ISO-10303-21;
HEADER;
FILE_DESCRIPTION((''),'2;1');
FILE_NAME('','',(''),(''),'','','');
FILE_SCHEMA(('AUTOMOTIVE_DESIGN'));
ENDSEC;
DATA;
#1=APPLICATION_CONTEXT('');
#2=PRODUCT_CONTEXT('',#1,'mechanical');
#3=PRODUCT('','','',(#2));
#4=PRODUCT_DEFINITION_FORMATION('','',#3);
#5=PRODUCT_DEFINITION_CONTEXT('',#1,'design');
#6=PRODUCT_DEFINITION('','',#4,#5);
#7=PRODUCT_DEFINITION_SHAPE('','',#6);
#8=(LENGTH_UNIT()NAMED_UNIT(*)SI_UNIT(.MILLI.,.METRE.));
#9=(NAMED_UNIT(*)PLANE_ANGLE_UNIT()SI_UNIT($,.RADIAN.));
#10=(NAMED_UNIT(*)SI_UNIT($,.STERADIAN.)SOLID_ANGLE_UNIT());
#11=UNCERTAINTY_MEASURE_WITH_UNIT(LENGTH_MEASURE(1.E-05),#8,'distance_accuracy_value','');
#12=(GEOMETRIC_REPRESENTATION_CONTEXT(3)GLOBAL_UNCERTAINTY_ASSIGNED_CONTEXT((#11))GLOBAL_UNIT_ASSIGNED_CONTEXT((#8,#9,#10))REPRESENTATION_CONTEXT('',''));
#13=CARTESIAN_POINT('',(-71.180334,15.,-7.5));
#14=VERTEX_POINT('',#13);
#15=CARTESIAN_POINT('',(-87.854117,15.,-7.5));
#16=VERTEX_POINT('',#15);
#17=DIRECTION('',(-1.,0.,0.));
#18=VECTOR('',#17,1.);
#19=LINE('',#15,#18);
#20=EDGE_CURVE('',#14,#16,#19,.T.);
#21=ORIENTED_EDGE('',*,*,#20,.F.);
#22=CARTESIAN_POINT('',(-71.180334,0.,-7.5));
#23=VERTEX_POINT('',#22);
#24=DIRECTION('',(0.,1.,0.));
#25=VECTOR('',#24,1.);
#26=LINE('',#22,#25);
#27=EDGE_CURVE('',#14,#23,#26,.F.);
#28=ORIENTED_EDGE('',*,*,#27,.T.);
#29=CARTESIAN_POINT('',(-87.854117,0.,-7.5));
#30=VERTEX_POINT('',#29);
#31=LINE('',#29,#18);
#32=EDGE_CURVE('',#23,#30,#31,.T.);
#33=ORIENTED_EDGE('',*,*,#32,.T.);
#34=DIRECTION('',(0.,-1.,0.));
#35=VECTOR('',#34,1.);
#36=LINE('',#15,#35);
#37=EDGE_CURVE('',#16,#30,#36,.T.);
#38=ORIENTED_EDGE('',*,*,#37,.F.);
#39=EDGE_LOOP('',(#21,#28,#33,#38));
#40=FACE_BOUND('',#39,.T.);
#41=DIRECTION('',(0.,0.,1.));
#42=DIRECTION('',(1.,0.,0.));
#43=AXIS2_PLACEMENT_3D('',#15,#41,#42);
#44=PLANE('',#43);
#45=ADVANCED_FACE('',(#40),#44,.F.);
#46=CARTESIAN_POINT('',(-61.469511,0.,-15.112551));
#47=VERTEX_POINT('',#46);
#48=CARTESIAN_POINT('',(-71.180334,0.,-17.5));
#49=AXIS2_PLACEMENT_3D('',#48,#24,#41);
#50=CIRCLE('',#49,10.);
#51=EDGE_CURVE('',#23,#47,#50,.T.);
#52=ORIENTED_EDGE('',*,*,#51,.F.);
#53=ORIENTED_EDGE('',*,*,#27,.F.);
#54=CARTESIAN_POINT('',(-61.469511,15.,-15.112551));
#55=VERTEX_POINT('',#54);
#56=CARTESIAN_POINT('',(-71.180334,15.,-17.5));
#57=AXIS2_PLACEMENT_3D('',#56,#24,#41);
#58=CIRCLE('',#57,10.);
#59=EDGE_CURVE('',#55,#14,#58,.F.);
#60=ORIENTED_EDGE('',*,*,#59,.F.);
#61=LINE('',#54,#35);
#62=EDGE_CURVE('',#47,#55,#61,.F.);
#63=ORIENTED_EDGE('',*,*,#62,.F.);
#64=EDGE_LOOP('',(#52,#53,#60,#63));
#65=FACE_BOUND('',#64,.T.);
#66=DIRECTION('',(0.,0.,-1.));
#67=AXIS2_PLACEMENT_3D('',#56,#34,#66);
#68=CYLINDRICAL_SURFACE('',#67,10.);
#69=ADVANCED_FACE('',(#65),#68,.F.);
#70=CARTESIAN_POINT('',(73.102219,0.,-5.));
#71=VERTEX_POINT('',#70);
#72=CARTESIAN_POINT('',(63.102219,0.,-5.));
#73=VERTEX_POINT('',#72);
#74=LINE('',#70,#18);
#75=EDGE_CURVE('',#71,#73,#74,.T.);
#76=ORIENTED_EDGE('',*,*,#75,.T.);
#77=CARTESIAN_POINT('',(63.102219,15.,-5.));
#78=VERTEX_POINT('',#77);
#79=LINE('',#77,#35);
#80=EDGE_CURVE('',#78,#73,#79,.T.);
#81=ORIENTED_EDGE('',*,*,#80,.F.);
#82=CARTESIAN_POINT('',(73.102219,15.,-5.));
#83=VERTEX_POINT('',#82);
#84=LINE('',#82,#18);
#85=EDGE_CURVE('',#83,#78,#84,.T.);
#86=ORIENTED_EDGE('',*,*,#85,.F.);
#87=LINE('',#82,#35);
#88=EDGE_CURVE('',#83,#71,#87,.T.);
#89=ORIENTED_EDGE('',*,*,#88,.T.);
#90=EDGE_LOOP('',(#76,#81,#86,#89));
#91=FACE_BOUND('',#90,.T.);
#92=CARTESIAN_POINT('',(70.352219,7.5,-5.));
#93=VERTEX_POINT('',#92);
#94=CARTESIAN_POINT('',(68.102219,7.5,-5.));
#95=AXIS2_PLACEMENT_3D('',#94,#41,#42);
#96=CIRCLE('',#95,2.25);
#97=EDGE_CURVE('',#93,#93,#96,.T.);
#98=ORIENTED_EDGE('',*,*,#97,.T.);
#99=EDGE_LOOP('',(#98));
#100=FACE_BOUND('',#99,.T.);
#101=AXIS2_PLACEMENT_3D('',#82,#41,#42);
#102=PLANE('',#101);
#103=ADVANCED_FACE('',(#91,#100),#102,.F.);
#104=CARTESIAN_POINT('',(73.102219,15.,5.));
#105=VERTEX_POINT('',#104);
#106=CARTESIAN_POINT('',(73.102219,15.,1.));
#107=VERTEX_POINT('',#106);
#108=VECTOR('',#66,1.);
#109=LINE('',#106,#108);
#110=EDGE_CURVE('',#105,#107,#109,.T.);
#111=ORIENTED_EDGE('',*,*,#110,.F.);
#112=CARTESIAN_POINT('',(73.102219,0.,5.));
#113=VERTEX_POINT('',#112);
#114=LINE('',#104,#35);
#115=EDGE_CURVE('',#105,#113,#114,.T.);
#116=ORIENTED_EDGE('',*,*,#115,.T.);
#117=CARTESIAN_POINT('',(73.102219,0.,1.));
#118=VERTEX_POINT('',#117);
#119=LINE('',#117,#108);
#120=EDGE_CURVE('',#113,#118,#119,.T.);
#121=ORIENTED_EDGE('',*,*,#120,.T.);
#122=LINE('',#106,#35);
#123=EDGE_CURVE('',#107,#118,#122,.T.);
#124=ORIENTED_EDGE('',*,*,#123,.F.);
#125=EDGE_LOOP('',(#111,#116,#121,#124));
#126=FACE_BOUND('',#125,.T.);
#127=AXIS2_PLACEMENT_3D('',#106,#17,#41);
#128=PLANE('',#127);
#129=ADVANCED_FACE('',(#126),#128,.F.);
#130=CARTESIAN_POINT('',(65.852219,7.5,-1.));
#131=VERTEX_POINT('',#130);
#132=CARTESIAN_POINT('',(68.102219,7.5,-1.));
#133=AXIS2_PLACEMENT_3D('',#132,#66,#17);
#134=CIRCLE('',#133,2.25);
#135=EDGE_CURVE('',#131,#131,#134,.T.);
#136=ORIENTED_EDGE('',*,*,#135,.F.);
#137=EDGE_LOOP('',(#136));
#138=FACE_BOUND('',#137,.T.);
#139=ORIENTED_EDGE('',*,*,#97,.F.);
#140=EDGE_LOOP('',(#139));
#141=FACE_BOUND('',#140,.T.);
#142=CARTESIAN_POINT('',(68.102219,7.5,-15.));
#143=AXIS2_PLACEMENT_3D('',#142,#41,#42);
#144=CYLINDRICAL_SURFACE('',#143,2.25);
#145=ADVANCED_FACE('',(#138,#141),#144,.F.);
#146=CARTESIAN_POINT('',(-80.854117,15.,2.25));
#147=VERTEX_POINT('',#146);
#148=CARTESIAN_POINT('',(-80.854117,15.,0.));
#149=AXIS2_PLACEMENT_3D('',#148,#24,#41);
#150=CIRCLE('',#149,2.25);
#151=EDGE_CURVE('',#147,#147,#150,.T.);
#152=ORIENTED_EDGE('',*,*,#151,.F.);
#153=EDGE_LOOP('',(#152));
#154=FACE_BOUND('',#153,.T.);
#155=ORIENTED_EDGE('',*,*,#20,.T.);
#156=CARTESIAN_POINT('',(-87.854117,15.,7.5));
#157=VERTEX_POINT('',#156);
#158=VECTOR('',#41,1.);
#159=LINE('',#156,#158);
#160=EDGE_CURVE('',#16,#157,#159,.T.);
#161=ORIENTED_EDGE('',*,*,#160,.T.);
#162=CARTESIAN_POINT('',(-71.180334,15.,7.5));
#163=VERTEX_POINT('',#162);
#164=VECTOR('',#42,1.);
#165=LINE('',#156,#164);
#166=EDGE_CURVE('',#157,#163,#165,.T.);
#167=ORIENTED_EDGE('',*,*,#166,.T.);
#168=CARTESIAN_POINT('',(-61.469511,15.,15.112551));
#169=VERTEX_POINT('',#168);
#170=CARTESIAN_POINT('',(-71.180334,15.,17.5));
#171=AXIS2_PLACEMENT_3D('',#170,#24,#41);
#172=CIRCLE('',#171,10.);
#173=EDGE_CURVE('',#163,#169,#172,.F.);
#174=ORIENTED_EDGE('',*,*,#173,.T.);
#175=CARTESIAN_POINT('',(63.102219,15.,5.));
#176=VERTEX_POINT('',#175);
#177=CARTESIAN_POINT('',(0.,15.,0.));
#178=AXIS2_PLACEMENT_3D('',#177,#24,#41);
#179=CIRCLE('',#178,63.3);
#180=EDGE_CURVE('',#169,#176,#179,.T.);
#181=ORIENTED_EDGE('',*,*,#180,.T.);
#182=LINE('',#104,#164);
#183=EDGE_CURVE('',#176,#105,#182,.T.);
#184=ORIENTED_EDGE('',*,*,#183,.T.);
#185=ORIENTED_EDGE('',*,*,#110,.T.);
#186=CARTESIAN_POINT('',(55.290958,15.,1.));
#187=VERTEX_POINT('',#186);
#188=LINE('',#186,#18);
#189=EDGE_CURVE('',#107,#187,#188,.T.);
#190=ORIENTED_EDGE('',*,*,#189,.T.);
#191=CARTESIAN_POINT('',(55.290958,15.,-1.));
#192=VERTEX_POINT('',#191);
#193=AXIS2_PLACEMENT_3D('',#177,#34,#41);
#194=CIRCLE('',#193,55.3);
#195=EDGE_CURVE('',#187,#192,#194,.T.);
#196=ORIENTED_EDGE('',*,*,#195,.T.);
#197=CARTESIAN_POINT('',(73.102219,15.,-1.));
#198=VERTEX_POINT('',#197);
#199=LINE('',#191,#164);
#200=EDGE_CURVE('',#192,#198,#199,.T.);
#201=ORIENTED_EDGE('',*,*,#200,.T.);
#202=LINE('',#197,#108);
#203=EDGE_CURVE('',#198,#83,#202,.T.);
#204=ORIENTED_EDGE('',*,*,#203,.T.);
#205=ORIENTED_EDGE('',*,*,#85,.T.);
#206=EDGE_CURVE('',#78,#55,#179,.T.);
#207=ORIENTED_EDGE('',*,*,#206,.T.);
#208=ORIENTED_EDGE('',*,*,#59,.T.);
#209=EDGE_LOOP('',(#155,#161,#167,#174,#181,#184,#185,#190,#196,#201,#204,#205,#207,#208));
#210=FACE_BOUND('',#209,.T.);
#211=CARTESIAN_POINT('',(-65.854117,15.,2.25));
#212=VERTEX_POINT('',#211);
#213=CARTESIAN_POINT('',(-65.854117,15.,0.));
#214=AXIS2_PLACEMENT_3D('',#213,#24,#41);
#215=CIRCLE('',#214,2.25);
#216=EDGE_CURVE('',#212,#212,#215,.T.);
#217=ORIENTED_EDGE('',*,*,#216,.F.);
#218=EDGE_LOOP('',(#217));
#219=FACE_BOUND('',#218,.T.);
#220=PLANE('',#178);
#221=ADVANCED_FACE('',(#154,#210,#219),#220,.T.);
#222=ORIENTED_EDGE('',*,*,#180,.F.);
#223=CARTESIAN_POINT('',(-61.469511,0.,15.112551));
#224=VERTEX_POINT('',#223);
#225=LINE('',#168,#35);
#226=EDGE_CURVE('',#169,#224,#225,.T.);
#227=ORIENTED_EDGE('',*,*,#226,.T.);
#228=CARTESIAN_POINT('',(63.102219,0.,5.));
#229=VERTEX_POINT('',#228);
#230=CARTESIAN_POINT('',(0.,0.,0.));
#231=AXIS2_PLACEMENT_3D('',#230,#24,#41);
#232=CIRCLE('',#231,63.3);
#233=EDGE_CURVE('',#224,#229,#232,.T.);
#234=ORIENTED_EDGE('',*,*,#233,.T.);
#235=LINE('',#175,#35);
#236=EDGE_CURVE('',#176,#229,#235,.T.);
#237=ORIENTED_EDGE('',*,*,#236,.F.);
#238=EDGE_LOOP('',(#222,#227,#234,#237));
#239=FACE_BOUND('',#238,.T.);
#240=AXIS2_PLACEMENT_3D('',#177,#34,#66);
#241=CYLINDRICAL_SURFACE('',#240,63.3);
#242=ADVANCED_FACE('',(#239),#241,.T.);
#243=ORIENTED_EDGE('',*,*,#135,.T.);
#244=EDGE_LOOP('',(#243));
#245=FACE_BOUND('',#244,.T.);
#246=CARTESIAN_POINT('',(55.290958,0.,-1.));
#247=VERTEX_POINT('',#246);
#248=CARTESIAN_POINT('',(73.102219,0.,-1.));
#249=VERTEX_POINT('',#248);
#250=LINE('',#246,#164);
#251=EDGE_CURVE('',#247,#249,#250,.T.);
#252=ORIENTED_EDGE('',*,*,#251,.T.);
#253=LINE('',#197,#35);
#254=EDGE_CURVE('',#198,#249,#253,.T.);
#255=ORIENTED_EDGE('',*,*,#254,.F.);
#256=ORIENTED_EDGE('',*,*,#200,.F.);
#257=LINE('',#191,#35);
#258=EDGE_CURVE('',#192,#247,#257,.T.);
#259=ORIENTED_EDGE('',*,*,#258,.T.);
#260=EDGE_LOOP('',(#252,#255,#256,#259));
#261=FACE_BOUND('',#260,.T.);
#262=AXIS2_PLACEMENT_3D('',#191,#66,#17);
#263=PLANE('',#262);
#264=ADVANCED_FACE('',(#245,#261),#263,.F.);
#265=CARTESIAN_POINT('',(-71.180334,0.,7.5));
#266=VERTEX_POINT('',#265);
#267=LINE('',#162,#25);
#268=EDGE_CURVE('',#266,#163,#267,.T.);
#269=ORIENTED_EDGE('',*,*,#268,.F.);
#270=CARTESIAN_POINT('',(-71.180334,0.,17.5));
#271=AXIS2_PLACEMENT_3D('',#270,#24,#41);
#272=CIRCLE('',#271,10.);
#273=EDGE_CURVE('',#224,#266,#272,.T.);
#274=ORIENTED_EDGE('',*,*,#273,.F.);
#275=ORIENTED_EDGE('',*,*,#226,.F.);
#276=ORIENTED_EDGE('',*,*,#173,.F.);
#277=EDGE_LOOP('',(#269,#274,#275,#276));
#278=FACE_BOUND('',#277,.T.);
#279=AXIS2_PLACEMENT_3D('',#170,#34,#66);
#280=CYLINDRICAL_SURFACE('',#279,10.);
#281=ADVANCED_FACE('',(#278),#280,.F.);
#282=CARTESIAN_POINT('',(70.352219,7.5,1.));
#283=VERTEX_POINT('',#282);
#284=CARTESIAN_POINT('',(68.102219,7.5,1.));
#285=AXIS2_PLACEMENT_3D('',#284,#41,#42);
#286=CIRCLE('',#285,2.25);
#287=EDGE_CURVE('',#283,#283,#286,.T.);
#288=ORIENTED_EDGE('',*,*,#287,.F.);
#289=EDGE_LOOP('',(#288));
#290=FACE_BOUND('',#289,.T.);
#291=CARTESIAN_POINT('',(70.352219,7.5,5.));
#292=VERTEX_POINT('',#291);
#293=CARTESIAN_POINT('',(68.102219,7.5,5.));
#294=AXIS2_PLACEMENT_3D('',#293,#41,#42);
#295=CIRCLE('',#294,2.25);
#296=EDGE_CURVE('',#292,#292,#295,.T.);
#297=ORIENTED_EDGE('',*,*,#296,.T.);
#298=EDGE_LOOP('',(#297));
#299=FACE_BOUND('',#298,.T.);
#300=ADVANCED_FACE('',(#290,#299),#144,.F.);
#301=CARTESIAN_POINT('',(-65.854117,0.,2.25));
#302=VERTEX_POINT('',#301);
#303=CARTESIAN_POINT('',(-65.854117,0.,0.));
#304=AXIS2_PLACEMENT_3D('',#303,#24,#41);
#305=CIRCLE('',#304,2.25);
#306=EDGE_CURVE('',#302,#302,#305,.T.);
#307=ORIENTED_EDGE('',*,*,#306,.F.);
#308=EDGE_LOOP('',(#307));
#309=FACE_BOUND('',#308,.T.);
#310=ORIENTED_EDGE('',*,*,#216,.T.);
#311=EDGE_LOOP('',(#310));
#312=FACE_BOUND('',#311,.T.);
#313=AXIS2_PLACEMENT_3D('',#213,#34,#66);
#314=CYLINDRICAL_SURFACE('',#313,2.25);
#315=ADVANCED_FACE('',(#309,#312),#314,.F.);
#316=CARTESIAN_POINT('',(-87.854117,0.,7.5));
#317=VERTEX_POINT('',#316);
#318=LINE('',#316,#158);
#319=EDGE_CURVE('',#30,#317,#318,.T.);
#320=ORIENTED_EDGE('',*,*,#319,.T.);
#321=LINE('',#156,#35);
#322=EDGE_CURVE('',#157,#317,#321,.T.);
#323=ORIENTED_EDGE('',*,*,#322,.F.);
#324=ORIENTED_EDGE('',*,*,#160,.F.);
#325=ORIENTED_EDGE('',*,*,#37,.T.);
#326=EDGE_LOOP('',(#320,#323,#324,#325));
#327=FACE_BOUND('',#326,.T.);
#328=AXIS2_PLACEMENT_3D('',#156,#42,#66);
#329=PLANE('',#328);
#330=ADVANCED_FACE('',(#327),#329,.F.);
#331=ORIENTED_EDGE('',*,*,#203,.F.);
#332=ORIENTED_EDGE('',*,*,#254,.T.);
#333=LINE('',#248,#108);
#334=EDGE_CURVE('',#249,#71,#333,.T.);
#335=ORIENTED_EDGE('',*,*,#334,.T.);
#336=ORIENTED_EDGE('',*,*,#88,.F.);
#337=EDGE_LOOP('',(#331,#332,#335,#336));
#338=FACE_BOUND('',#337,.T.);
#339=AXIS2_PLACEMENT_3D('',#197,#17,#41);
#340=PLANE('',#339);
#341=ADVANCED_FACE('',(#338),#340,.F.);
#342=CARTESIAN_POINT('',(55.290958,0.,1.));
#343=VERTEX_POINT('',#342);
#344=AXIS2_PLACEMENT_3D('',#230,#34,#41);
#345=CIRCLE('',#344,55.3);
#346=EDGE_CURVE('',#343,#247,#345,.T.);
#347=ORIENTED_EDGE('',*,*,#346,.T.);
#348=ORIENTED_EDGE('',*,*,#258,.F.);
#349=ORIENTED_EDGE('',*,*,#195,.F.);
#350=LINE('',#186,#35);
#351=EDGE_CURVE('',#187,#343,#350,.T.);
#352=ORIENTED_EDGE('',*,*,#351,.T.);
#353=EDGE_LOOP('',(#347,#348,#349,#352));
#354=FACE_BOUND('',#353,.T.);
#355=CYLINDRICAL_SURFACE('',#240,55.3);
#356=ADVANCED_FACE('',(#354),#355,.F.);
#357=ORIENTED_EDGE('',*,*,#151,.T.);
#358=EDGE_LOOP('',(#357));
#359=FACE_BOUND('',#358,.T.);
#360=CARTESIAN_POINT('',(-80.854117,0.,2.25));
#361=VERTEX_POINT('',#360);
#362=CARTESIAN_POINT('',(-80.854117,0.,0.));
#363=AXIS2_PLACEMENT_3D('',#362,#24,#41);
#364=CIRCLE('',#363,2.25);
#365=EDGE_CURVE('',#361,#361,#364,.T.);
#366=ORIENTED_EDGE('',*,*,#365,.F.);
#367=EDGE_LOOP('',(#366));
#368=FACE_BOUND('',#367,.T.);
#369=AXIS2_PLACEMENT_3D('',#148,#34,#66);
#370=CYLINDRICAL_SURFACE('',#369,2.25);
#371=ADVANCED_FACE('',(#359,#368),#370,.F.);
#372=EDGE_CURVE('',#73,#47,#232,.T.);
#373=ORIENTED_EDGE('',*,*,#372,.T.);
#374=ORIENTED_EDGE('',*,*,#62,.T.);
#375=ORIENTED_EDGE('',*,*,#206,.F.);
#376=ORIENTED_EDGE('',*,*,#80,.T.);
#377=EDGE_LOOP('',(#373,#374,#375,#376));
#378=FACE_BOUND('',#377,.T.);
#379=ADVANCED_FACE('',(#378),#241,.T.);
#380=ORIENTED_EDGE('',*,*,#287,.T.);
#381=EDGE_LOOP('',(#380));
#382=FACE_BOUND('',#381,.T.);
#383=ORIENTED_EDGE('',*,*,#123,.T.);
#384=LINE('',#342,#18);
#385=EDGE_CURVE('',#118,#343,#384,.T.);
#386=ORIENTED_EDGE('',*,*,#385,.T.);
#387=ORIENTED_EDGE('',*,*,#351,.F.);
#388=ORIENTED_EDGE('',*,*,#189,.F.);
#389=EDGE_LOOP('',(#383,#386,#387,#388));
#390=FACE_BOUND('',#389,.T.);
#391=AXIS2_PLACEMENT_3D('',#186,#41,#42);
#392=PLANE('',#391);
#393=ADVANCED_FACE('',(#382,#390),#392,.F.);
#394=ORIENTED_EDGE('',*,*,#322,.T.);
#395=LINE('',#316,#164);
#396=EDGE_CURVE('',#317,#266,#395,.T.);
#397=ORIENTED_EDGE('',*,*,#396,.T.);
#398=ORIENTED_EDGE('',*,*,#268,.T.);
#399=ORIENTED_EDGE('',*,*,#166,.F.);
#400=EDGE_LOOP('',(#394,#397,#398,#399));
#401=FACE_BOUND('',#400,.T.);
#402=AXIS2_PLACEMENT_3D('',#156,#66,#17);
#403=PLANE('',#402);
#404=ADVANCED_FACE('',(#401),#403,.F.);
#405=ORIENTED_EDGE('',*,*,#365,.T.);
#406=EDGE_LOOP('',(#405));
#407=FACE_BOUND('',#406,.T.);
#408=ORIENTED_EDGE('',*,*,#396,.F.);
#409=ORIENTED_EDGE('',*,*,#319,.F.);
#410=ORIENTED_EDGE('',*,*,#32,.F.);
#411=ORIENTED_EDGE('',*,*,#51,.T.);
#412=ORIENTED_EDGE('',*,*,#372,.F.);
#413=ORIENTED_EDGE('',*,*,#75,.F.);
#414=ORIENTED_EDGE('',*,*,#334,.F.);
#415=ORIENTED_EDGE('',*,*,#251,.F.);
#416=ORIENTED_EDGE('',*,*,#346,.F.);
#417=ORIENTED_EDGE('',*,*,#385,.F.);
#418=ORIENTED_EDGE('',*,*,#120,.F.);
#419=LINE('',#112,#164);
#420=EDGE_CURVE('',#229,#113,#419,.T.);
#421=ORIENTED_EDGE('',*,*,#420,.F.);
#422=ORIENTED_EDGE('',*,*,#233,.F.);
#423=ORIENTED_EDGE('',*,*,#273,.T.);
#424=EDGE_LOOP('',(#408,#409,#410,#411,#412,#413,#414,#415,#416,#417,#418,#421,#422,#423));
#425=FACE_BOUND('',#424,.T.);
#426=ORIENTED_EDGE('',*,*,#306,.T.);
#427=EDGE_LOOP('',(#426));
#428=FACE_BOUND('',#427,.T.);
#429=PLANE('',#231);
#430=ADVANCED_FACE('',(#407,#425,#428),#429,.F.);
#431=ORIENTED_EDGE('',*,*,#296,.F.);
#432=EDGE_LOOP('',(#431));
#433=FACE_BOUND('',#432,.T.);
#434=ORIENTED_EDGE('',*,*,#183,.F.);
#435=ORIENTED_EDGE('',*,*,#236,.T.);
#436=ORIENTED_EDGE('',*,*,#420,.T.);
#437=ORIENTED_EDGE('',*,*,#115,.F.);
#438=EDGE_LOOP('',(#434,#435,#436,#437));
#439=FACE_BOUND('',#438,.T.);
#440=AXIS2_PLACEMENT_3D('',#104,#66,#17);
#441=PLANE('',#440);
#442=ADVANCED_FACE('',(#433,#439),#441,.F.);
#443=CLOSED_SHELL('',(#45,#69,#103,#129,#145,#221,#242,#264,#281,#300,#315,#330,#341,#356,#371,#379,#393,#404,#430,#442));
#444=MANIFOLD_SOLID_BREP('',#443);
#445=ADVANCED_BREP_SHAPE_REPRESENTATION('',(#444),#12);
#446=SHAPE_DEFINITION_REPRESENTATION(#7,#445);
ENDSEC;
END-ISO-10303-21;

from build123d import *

# Parameters (mm, degrees)
SKETCH1_R           = 2.25
BOSS_EXTRUDE1_DEPTH = 15
SKETCH2_R           = 2.25
CUT_EXTRUDE1_DEPTH  = 20
FILLET1_R           = 10


with BuildPart() as part:
    # Sketch1 → Boss-Extrude1 (new body)
    with BuildSketch(Plane(origin=(0, 0, 0), x_dir=(1, 0, 0), z_dir=(0, 1, 0))):
        with BuildLine():
            Line((-87.85411681, -7.5), (-62.85411681, -7.5))
            ThreePointArc((-62.85411681, -7.5), (1.256140371, -63.287535197), (63.102218661, -5))
            Line((63.102218661, -5), (73.102218661, -5))
            Line((73.102218661, -5), (73.102218661, -1))
            Line((73.102218661, -1), (55.290957669, -1))
            ThreePointArc((55.290957669, -1), (-55.3, 0), (55.290957669, 1))
            Line((55.290957669, 1), (73.102218661, 1))
            Line((73.102218661, 1), (73.102218661, 5))
            Line((73.102218661, 5), (63.102218661, 5))
            ThreePointArc((63.102218661, 5), (1.256140371, 63.287535197), (-62.85411681, 7.5))
            Line((-62.85411681, 7.5), (-87.85411681, 7.5))
            Line((-87.85411681, 7.5), (-87.85411681, -7.5))
        make_face()
        with Locations(Location((-80.85411681, 0, 0), (0, 0, 270))):
            Circle(SKETCH1_R, mode=Mode.SUBTRACT)
        with Locations(Location((-65.85411681, 0, 0), (0, 0, 270))):
            Circle(SKETCH1_R, mode=Mode.SUBTRACT)
    extrude(amount=BOSS_EXTRUDE1_DEPTH)

    # Sketch2 → Cut-Extrude1 (cut)
    with BuildSketch(Plane.XY.offset(5)):
        with Locations((68.102218661, 7.5)):
            Circle(SKETCH2_R)
    extrude(amount=-CUT_EXTRUDE1_DEPTH, mode=Mode.SUBTRACT)

    # Fillet1
    fillet1_edges = [part.edges().sort_by_distance(p)[0] for p in [
        (-62.85411681, 7.5, 7.5),
        (-62.85411681, 7.5, -7.5),
    ]]
    fillet(fillet1_edges, radius=FILLET1_R)


solid = part.part
